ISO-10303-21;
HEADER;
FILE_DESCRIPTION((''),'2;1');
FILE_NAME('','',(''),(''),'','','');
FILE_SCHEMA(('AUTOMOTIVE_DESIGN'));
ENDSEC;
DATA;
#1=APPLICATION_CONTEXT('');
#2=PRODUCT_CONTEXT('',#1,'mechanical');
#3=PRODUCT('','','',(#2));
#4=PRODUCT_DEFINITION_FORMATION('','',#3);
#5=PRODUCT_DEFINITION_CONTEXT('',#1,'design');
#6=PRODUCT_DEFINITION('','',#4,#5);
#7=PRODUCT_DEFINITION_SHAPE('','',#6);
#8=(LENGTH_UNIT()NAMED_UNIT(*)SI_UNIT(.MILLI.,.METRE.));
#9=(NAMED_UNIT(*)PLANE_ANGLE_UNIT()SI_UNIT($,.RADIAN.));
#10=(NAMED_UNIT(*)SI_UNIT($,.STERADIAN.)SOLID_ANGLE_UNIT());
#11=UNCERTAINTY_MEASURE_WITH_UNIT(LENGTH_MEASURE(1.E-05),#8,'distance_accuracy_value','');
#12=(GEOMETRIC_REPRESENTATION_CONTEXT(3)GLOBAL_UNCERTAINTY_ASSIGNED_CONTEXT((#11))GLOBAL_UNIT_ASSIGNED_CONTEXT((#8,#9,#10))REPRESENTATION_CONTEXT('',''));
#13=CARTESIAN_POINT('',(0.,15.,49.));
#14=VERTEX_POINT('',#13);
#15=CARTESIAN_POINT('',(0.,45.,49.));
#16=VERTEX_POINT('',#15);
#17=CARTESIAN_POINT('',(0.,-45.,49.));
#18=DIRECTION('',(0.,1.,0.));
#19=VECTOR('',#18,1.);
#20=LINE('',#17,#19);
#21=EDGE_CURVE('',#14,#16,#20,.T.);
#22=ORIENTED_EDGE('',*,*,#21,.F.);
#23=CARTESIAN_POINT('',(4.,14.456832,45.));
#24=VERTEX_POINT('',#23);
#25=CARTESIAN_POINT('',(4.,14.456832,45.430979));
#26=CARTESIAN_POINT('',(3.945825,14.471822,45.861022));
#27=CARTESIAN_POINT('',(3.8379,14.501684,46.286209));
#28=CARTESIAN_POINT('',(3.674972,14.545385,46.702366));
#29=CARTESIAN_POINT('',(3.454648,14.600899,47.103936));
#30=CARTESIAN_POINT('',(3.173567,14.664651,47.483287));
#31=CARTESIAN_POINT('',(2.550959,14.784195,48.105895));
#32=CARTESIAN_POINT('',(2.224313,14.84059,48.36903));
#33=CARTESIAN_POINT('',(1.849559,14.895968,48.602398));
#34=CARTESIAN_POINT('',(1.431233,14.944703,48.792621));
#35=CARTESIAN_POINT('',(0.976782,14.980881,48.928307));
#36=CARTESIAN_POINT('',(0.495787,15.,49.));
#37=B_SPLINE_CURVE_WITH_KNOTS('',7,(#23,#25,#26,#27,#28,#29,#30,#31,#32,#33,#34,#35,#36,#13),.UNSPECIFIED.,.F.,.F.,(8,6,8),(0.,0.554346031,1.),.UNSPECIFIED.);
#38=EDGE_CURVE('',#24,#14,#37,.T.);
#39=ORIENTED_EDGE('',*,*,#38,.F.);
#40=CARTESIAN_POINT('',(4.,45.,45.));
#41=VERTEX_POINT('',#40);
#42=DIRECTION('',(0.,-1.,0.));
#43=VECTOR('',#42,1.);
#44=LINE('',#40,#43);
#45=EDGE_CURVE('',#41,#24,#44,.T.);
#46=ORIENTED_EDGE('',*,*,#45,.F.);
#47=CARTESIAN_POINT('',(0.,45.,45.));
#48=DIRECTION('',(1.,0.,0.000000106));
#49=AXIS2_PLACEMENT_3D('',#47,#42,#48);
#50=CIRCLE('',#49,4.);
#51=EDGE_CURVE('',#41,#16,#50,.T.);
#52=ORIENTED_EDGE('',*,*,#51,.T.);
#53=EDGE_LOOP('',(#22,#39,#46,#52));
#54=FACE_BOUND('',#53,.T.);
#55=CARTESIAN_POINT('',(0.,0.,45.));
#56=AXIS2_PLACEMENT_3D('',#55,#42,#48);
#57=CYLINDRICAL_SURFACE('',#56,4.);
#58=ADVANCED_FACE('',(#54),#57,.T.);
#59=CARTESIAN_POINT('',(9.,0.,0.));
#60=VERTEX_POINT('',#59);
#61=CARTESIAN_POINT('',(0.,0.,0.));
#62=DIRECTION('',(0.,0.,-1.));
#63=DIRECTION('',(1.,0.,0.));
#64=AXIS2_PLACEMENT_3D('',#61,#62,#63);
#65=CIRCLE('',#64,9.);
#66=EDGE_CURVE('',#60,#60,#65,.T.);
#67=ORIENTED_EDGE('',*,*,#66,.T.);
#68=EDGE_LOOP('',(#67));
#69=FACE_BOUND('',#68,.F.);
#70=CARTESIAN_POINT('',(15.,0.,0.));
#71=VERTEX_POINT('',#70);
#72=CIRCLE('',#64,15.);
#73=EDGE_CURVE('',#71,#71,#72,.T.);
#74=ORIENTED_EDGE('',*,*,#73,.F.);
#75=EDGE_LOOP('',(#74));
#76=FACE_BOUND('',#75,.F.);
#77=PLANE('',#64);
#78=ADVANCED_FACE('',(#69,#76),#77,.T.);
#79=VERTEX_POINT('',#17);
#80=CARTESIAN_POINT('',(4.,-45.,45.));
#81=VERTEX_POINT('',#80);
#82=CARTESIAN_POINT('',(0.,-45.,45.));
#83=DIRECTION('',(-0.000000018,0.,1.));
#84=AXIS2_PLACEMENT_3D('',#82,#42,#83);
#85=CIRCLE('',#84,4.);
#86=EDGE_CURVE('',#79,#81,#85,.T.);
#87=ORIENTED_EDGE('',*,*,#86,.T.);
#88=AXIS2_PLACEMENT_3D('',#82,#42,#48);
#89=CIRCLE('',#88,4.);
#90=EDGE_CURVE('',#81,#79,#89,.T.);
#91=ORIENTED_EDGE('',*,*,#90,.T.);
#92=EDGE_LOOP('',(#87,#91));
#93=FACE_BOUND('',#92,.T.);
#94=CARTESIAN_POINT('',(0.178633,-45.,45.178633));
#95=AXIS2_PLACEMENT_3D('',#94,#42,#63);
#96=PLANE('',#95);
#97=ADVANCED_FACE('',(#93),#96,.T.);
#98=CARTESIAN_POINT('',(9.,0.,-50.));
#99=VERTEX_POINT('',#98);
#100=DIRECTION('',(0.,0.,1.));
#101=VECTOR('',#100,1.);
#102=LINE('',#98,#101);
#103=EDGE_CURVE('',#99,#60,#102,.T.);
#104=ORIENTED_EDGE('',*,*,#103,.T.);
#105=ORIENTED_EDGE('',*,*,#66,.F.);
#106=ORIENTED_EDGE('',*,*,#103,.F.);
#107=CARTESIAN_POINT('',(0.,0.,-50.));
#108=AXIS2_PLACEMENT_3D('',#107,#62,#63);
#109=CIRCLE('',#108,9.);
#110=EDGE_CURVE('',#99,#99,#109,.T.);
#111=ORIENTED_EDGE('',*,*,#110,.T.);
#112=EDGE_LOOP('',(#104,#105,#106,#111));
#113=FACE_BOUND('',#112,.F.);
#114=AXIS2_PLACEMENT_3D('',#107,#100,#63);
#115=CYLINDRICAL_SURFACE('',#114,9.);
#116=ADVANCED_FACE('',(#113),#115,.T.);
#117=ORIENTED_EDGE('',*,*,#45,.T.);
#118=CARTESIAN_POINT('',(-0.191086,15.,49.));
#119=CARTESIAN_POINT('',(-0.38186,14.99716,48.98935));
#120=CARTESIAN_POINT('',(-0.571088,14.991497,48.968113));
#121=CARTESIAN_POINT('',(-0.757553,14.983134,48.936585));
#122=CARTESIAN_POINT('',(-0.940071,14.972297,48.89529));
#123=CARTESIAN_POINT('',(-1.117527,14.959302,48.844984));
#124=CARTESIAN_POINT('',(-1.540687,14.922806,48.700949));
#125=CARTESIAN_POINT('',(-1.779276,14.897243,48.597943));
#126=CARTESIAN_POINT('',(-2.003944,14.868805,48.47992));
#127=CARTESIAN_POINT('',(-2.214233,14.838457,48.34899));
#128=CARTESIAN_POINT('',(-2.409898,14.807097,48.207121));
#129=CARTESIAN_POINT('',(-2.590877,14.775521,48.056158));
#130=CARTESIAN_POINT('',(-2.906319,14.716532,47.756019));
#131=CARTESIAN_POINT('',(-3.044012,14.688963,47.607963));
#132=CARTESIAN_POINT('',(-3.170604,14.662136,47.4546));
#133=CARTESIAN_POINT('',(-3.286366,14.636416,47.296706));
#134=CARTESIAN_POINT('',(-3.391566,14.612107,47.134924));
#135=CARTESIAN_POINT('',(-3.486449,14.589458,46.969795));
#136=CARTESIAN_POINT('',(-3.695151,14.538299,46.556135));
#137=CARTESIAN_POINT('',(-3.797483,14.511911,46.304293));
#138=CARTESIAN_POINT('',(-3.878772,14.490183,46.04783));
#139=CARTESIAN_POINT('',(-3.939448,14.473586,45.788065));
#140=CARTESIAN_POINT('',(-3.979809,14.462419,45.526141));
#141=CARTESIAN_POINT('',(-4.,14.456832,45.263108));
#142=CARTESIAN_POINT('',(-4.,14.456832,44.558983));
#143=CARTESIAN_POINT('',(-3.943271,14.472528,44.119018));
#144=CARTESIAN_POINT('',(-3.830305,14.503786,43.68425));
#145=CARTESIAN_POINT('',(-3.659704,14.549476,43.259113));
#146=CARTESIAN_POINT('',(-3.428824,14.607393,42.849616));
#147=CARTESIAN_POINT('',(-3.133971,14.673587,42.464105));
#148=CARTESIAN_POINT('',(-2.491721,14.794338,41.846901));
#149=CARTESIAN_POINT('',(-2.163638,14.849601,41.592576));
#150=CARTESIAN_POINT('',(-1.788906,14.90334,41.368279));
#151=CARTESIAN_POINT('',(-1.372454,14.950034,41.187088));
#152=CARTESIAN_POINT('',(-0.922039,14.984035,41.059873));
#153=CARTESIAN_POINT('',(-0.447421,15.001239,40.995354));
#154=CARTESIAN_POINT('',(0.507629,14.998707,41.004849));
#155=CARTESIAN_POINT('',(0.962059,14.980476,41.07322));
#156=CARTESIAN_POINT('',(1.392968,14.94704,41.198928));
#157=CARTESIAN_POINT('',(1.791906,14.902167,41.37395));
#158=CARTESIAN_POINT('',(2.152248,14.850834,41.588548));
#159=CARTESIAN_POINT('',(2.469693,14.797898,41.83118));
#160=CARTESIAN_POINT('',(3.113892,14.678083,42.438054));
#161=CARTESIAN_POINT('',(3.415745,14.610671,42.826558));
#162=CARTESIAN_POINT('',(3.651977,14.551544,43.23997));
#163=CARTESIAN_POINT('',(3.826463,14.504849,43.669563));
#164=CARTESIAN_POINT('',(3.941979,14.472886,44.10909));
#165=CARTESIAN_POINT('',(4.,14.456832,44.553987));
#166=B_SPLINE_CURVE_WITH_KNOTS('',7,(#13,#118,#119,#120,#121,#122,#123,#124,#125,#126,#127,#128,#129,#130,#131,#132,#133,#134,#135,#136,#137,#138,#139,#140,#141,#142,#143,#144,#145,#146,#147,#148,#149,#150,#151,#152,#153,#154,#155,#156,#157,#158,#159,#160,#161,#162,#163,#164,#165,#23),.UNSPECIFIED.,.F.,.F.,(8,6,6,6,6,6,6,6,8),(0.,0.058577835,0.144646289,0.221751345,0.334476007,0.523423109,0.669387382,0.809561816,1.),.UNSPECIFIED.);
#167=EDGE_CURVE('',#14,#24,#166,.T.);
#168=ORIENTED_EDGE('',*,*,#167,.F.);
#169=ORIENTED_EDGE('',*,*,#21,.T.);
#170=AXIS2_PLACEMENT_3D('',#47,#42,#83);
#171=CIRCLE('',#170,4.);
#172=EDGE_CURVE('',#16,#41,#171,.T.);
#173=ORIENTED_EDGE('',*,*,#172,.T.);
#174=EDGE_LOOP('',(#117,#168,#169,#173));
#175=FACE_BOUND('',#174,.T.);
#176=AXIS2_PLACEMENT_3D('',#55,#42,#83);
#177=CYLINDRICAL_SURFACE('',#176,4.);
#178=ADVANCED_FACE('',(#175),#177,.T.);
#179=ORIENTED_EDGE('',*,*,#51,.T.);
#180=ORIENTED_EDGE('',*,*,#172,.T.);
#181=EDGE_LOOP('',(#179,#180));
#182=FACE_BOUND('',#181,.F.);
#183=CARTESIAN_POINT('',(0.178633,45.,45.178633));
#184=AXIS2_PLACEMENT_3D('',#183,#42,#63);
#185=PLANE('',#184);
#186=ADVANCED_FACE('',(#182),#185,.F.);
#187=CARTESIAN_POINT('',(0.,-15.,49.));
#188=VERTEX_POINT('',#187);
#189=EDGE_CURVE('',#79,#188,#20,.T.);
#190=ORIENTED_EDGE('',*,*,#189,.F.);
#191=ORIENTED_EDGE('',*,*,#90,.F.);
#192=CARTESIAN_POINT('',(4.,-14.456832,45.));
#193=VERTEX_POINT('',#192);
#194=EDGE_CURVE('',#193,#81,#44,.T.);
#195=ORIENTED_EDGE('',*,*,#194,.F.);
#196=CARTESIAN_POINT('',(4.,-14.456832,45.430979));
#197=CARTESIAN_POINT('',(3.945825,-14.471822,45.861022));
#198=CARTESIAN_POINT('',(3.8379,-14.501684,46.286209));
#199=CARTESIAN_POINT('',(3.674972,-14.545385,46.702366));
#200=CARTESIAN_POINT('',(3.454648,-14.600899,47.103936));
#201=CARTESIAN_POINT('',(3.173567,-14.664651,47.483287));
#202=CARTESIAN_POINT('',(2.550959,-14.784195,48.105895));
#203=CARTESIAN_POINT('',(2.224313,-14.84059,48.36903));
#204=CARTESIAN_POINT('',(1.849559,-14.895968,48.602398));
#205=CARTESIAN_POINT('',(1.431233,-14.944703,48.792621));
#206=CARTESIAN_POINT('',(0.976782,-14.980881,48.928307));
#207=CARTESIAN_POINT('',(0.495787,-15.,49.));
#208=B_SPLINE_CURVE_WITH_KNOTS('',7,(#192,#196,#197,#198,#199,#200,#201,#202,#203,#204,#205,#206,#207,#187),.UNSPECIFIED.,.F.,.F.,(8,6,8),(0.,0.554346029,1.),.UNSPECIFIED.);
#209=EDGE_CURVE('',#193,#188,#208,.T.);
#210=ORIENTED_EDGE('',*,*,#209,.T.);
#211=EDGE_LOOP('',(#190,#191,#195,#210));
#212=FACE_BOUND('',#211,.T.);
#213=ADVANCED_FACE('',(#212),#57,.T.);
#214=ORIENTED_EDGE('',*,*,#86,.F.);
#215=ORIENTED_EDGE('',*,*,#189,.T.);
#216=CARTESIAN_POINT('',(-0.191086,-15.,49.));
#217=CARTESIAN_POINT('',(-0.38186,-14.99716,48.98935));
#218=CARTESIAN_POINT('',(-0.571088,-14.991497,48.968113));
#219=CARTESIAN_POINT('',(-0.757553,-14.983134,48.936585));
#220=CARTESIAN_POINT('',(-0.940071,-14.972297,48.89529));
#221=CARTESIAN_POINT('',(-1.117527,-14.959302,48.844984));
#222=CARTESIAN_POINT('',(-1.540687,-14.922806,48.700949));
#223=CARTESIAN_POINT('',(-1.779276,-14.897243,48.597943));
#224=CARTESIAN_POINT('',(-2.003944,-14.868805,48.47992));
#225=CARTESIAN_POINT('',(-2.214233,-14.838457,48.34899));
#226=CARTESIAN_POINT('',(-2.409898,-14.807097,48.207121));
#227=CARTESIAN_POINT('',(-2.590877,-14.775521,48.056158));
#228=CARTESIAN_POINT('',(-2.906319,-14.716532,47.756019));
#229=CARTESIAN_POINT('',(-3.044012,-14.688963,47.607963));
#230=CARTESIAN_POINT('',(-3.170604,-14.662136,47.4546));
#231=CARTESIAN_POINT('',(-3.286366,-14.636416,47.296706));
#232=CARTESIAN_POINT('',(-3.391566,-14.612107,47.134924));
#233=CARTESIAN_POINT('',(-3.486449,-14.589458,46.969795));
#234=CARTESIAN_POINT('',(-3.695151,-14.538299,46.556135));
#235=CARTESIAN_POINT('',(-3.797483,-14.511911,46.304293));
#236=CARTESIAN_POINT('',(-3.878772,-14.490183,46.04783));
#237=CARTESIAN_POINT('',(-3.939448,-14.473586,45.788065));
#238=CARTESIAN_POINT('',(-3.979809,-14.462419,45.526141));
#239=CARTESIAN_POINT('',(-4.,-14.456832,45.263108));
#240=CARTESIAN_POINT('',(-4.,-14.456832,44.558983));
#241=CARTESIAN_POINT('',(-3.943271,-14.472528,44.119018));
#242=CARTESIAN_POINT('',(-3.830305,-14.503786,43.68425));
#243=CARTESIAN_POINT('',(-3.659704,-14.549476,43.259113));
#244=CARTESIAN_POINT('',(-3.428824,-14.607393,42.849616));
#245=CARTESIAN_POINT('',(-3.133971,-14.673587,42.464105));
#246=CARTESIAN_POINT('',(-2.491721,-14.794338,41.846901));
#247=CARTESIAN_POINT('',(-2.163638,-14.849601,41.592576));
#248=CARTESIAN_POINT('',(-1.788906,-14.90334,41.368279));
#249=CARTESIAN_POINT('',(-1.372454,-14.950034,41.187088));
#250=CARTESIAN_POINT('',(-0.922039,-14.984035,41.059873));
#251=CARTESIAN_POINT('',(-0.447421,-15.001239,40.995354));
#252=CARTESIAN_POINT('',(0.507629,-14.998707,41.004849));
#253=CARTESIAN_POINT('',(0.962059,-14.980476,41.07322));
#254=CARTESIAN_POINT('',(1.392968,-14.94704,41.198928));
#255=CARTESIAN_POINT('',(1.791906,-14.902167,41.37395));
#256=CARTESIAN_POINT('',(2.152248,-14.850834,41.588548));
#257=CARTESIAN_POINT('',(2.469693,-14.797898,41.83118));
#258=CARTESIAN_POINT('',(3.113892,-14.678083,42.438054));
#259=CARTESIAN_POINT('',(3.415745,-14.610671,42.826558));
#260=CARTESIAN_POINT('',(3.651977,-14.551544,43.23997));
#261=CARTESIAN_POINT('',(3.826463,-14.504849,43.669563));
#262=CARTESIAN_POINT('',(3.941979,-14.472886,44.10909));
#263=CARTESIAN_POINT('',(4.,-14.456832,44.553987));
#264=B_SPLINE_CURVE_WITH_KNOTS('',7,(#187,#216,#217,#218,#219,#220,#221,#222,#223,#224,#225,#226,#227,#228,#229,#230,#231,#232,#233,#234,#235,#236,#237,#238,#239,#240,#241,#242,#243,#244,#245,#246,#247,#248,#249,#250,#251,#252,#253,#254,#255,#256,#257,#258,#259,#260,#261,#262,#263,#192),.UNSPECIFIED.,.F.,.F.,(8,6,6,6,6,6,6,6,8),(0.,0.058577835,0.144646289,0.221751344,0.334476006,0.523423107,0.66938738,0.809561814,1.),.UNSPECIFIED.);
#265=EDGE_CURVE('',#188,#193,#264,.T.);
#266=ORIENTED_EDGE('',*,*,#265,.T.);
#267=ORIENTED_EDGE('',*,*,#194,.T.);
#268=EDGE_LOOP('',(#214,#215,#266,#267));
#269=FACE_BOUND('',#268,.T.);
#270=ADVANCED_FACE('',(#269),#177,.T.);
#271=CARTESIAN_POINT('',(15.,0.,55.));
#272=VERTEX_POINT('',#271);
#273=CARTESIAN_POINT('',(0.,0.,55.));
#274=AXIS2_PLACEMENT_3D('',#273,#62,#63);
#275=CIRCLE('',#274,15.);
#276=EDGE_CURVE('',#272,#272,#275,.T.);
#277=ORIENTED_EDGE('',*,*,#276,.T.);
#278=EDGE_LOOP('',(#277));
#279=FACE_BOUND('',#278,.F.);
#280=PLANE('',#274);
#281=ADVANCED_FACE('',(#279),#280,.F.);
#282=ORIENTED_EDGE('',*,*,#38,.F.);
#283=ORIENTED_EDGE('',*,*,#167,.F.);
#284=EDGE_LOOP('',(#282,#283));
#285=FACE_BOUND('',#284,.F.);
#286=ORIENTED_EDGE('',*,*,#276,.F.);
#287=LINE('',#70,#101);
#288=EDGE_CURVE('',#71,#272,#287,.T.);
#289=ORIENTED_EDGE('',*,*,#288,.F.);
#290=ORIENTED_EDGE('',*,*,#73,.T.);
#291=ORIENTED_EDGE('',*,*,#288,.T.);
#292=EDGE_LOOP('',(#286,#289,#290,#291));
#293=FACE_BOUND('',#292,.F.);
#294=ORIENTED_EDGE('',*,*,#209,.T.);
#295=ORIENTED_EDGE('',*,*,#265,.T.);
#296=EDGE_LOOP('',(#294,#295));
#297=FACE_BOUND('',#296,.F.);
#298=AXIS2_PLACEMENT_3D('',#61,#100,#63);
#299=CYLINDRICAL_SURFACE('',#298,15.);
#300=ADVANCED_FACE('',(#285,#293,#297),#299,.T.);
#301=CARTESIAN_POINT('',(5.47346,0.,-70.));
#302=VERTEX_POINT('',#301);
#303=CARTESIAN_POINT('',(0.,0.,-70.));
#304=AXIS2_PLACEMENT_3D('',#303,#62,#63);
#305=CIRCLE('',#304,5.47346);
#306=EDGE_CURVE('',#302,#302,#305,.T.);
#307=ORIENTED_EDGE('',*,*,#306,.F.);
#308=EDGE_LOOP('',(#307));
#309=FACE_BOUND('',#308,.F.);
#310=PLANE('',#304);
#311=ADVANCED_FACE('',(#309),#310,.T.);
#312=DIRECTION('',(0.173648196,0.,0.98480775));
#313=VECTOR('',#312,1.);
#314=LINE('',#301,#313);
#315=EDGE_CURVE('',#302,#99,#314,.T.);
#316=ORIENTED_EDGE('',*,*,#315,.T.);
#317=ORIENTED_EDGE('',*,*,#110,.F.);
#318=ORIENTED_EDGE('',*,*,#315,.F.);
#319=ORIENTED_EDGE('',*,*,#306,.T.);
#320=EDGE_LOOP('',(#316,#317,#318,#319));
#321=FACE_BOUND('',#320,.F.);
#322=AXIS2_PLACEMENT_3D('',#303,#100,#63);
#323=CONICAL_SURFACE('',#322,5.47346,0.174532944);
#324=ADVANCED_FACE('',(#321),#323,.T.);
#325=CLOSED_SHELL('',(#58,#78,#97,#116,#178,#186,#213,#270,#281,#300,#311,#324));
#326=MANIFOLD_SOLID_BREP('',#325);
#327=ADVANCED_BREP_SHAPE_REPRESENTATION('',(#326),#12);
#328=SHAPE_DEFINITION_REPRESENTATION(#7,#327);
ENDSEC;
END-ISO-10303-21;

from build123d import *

# Parameters (mm, degrees)
F3_DEPTH = 45


with BuildPart() as f1:
    # F0 (on Front) → F1 (revolve)
    with BuildSketch(Plane.XZ):
        Polygon((0, 55), (0, 0), (0, -70), (5.47346, -70), (9, -50), (9, 0), (15, 0), (15, 55), align=None)
    revolve(axis=Axis((0, 0, 27.5), (0, 0, -1)))

    # F2 (on Front) → F3 (join, symmetric)
    with BuildSketch(Plane.XZ):
        with BuildLine():
            ThreePointArc((0, 49), (-2.828427, 42.171573), (4, 45))
            ThreePointArc((4, 45), (2.828427, 47.828427), (0, 49))
        make_face()
    extrude(amount=F3_DEPTH, both=True)


solid = f1.part
